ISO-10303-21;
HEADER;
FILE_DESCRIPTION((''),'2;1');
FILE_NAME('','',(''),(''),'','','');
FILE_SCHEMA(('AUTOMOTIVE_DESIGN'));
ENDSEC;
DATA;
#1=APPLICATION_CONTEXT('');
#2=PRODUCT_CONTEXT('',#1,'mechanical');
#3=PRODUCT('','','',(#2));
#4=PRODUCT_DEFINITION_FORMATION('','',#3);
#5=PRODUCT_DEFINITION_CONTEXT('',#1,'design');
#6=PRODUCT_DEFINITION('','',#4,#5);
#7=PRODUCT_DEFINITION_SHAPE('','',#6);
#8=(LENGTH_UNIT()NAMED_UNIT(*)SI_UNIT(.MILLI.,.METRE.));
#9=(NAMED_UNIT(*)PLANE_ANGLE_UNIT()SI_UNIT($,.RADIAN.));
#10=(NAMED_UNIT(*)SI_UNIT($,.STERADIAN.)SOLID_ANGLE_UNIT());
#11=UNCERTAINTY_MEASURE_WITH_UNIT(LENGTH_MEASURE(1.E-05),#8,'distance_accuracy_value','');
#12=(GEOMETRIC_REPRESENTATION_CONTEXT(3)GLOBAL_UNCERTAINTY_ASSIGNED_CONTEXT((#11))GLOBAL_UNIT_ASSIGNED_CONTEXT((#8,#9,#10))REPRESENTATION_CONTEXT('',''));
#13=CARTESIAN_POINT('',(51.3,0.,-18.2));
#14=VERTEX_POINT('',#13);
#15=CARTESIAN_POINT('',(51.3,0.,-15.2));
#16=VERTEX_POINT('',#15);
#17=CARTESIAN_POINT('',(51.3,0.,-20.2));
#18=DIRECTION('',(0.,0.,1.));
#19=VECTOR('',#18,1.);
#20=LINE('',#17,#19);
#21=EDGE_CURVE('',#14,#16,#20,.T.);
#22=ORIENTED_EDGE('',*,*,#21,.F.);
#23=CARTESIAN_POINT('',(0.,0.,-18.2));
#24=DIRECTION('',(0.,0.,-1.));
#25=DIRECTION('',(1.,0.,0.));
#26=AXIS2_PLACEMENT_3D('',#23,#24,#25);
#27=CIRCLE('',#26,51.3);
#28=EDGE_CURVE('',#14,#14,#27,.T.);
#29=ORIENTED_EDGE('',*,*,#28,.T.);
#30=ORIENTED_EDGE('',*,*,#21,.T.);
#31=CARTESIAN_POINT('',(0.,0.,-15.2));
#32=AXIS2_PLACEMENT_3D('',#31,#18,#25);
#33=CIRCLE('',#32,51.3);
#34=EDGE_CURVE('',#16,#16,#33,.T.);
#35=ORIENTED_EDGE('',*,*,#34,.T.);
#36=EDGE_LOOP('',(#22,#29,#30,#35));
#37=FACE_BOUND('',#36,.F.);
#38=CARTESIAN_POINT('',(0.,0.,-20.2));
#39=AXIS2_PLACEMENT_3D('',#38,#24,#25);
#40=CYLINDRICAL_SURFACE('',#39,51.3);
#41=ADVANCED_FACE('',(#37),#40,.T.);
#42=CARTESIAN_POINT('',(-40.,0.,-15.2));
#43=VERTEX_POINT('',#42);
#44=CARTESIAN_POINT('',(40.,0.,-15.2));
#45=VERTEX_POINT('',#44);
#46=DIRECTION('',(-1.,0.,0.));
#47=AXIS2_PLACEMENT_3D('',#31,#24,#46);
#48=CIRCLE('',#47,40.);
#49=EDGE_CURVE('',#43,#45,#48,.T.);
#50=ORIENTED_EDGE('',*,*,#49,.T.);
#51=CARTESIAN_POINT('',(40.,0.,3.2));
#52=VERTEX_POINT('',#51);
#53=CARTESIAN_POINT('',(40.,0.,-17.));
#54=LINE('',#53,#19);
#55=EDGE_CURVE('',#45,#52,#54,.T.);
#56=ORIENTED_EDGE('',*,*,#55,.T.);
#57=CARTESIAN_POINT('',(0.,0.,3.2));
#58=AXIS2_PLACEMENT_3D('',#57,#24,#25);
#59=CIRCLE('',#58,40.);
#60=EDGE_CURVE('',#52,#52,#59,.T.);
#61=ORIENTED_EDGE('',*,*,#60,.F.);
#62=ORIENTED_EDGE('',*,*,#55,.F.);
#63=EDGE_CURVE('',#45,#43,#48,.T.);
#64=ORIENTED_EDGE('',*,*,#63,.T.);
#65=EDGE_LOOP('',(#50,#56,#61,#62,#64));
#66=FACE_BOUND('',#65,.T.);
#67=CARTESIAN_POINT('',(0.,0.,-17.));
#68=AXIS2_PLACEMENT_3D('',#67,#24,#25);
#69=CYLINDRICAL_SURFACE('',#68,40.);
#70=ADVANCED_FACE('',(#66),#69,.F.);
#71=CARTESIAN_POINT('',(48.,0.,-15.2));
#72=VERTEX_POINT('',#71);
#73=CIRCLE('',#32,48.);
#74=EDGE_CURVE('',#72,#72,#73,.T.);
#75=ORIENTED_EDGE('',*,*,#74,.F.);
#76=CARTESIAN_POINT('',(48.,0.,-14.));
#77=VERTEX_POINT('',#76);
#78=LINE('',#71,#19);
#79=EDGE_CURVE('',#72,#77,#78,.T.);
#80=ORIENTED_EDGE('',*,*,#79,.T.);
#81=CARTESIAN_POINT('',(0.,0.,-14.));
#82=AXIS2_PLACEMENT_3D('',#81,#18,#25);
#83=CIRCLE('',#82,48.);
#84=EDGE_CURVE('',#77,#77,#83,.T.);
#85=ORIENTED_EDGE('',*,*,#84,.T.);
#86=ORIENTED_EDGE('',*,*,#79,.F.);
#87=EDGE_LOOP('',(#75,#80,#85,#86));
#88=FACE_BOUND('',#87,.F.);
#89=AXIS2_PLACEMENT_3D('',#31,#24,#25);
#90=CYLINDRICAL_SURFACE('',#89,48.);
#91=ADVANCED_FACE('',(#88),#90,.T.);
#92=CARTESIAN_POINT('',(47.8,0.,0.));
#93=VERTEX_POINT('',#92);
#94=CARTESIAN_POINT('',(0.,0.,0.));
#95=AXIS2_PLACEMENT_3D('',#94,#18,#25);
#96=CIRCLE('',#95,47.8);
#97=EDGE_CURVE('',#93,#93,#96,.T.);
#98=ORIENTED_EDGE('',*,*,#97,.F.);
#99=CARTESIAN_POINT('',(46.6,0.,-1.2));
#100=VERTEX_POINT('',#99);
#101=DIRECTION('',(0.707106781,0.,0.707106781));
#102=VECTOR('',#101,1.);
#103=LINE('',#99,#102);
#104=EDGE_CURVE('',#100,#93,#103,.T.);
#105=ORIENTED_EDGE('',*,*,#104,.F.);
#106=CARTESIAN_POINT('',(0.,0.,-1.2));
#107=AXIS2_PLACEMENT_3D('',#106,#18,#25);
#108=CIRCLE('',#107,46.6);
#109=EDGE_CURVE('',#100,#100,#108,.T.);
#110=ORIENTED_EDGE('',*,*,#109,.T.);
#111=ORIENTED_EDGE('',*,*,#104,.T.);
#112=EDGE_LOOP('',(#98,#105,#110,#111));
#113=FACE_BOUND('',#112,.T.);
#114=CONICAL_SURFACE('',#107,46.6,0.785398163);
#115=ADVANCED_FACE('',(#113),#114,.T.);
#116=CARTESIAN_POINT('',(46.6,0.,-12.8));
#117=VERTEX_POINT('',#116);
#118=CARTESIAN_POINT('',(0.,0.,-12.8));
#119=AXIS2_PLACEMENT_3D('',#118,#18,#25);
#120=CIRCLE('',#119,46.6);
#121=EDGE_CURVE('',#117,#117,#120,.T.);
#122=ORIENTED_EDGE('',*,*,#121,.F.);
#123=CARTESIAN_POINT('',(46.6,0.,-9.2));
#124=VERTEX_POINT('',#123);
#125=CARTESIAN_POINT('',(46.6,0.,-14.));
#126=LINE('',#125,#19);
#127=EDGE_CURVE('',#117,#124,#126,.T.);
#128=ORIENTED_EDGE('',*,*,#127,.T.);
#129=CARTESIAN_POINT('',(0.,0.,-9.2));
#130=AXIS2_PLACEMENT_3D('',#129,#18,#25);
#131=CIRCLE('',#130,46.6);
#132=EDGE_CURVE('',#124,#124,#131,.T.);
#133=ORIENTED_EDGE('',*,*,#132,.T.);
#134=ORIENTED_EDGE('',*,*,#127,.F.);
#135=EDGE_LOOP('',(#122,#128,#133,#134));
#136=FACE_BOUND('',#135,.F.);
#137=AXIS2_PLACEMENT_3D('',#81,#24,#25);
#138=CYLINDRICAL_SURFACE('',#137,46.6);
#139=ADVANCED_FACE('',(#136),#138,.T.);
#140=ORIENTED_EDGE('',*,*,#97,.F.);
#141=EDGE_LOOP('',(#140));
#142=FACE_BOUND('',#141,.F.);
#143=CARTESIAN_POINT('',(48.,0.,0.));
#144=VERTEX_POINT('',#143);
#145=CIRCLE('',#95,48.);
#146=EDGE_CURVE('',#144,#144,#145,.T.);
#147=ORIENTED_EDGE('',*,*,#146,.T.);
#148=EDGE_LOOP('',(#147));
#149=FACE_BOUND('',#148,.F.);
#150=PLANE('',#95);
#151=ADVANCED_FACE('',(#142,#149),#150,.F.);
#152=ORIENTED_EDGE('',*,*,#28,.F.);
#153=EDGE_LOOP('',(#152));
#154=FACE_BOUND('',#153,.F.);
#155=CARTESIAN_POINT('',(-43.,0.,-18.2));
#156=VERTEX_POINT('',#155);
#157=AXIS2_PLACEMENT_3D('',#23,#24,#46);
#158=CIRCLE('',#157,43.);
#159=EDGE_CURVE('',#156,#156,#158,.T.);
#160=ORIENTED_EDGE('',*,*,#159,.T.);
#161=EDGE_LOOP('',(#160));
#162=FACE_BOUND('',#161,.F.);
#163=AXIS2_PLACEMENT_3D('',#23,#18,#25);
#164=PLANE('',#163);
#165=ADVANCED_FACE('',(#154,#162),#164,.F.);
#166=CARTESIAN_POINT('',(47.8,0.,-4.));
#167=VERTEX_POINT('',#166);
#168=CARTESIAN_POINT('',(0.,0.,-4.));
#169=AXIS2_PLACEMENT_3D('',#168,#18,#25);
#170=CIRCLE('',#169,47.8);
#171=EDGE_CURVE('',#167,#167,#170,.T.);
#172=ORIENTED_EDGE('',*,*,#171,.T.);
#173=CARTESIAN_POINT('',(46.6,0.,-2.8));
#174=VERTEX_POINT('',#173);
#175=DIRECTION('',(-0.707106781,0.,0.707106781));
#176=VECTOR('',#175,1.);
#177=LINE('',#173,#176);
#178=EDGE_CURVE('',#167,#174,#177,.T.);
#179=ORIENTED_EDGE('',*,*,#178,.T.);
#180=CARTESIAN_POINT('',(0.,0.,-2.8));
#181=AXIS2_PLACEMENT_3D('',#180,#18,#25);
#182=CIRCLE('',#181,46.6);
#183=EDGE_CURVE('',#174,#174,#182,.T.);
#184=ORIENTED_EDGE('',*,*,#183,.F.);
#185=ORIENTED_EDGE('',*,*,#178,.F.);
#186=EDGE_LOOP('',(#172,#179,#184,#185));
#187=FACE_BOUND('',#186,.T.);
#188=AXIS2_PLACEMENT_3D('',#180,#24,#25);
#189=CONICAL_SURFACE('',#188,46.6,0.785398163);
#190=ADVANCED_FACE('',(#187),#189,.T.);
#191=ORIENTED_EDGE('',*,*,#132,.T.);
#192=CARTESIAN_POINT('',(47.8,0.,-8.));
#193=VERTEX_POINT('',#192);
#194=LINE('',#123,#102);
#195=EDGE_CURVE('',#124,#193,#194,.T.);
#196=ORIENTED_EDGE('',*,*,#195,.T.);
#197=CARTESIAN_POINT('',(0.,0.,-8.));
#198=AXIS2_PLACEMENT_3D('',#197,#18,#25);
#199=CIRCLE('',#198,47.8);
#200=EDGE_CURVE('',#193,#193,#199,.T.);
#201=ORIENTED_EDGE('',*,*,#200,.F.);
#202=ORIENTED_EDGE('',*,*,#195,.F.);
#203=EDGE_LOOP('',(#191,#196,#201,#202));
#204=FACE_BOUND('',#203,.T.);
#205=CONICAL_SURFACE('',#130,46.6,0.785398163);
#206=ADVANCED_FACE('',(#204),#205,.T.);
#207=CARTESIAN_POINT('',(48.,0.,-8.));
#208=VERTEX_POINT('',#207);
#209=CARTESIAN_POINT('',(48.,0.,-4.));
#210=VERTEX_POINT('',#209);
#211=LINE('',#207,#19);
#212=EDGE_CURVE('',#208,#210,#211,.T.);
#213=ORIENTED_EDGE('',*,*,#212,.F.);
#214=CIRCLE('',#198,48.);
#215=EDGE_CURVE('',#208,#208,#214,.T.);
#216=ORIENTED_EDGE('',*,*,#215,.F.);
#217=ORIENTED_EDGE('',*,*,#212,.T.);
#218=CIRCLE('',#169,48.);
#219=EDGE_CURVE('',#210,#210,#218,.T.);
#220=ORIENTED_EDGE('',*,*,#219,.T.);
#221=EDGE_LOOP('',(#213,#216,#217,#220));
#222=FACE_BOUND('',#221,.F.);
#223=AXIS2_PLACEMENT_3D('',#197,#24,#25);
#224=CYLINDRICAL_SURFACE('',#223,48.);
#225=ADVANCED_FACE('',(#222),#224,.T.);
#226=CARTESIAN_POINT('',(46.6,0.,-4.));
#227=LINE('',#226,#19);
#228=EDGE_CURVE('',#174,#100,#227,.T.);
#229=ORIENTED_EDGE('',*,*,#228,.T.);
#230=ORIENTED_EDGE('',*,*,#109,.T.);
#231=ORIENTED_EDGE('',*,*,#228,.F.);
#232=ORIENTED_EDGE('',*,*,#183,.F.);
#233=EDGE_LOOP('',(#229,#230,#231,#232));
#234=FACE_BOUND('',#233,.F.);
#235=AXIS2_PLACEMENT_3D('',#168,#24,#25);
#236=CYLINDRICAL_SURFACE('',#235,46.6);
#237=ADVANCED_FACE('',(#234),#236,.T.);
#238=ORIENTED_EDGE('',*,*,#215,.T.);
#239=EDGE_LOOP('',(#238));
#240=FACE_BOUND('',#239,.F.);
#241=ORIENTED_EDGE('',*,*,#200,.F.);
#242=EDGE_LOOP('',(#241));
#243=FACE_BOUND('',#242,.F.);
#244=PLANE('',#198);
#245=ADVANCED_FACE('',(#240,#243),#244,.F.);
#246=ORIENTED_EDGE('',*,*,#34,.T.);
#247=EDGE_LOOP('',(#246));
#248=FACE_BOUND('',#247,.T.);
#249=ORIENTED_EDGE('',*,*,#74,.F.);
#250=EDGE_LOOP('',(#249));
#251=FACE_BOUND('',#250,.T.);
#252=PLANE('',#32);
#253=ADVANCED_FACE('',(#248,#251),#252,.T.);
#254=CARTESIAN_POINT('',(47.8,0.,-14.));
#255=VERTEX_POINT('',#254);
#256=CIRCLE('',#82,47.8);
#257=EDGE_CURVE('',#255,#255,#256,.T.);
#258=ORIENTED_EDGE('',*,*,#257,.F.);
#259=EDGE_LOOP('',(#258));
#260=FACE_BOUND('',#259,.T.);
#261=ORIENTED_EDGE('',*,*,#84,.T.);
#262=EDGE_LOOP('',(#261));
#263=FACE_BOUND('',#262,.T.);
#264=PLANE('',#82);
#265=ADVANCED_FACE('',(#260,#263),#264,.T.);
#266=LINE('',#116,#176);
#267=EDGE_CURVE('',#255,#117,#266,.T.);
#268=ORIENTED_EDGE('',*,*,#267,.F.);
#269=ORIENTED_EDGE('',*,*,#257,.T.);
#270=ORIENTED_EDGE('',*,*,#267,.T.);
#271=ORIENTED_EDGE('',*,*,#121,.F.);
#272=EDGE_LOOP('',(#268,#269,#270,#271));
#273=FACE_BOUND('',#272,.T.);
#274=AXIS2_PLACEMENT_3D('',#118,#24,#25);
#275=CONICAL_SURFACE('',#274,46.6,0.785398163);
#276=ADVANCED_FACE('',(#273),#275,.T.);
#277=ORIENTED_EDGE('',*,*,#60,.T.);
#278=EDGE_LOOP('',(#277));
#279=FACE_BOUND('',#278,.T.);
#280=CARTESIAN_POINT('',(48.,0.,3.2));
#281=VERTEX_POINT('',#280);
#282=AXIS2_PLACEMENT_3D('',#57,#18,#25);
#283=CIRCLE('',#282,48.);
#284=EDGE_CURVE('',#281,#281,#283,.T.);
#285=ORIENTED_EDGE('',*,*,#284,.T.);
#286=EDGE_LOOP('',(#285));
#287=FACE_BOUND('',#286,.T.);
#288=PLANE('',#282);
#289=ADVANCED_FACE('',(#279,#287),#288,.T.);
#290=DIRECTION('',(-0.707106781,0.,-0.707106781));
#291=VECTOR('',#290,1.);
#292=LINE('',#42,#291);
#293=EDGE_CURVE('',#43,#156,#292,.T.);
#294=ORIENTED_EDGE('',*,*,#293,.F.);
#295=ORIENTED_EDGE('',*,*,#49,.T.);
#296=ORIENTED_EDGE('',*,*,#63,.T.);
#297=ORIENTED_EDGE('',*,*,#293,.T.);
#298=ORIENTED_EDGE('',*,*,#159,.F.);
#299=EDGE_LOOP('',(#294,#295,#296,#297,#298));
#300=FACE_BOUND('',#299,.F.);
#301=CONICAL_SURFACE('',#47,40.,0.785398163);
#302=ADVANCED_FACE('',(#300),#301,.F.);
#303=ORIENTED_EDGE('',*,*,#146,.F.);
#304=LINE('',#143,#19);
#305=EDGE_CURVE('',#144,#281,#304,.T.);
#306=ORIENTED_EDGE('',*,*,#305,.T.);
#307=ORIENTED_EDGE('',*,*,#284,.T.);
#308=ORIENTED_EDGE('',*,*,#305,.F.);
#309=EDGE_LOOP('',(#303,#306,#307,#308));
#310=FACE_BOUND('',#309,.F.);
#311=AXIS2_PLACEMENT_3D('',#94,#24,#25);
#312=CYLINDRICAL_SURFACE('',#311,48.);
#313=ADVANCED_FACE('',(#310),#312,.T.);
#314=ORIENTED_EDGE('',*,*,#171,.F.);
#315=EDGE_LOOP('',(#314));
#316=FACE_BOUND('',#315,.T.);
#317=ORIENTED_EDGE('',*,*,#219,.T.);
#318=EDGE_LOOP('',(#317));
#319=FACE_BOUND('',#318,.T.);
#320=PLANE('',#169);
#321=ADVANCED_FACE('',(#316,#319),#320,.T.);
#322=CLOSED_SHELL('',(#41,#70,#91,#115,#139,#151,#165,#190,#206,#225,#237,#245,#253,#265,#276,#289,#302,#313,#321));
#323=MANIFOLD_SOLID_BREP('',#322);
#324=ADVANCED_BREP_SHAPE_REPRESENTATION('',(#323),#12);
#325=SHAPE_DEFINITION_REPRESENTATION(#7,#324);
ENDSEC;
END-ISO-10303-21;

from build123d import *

# Parameters (mm, degrees)
CYLINDER039_R     = 68.3
CYLINDER039_DEPTH = 5
CYLINDER036_R     = 40
CYLINDER036_DEPTH = 27.4
CYLINDER035_R     = 45
CYLINDER035_DEPTH = 23.4
CYLINDER033_R     = 45
CYLINDER033_DEPTH = 25
CYLINDER032_R     = 48
CYLINDER032_DEPTH = 3.2
CYLINDER029_R     = 46.6
CYLINDER029_DEPTH = 6
CYLINDER038_R     = 46.6
CYLINDER038_DEPTH = 4
CYLINDER030_R     = 48
CYLINDER030_DEPTH = 4
CYLINDER037_R     = 48
CYLINDER037_DEPTH = 1.2
CYLINDER031_R     = 45
CYLINDER031_DEPTH = 25
CYLINDER034_R     = 51.3
CYLINDER034_DEPTH = 5
CHAMFER003_SIZE   = 1.2
CHAMFER002_SIZE   = 1.2


with BuildPart() as ajustar_radio_de_este004:
    # Cylinder039 → Cylinder039 (new body)
    with BuildSketch(Plane.XY.offset(-23.2)):
        Circle(CYLINDER039_R)
    extrude(amount=CYLINDER039_DEPTH)


with BuildPart() as cone002:
    # Cone002 → Cone002 (revolve)
    with BuildSketch(Plane(origin=(0, 0, -15.2), x_dir=(-1, 0, 0), z_dir=(0, -1, 0))):
        Polygon((0, 0), (40, 0), (45, 5), (0, 5), align=None)
    revolve(axis=Axis((0, 0, -15.2), (0, 0, -1)))


with BuildPart() as fusion010:
    # Cylinder036 → Cylinder036 (new body)
    with BuildSketch(Plane.XY.offset(-17)):
        Circle(CYLINDER036_R)
    extrude(amount=CYLINDER036_DEPTH)

    # Fusion010: union Cone002
    add(cone002.part)


with BuildPart() as cut015:
    # Cylinder035 → Cylinder035 (new body)
    with BuildSketch(Plane.XY.offset(-20.2)):
        Circle(CYLINDER035_R)
    extrude(amount=CYLINDER035_DEPTH)

    # Cut015: cut Fusion010
    add(fusion010.part, mode=Mode.SUBTRACT)


with BuildPart() as cylinder033:
    # Cylinder033 → Cylinder033 (new body)
    with BuildSketch(Plane.XY.offset(-18)):
        Circle(CYLINDER033_R)
    extrude(amount=CYLINDER033_DEPTH)


with BuildPart() as cylinder032:
    # Cylinder032 → Cylinder032 (new body)
    with BuildSketch(Plane.XY):
        Circle(CYLINDER032_R)
    extrude(amount=CYLINDER032_DEPTH)


with BuildPart() as cylinder029:
    # Cylinder029 → Cylinder029 (new body)
    with BuildSketch(Plane.XY.offset(-14)):
        Circle(CYLINDER029_R)
    extrude(amount=CYLINDER029_DEPTH)


with BuildPart() as cylinder038:
    # Cylinder038 → Cylinder038 (new body)
    with BuildSketch(Plane.XY.offset(-4)):
        Circle(CYLINDER038_R)
    extrude(amount=CYLINDER038_DEPTH)


with BuildPart() as cylinder030:
    # Cylinder030 → Cylinder030 (new body)
    with BuildSketch(Plane.XY.offset(-8)):
        Circle(CYLINDER030_R)
    extrude(amount=CYLINDER030_DEPTH)


with BuildPart() as cut016:
    # Cylinder037 → Cylinder037 (new body)
    with BuildSketch(Plane.XY.offset(-15.2)):
        Circle(CYLINDER037_R)
    extrude(amount=CYLINDER037_DEPTH)

    # Fusion012: union Cylinder032, Cylinder029, Cylinder038, Cylinder030
    add(cylinder032.part)
    add(cylinder029.part)
    add(cylinder038.part)
    add(cylinder030.part)

    # Cut016: cut Cylinder033
    add(cylinder033.part, mode=Mode.SUBTRACT)


with BuildPart() as cylinder031:
    # Cylinder031 → Cylinder031 (new body)
    with BuildSketch(Plane.XY.offset(-23)):
        Circle(CYLINDER031_R)
    extrude(amount=CYLINDER031_DEPTH)


with BuildPart() as cut014:
    # Cylinder034 → Cylinder034 (new body)
    with BuildSketch(Plane.XY.offset(-20.2)):
        Circle(CYLINDER034_R)
    extrude(amount=CYLINDER034_DEPTH)

    # Cut017: cut Cylinder031
    add(cylinder031.part, mode=Mode.SUBTRACT)

    # Fusion009: union Cut016
    add(cut016.part)

    # Fusion011: union Cut015
    add(cut015.part)

    # Chamfer003
    chamfer003_edges = [cut014.edges().sort_by_distance(p)[0] for p in [
        (-46.6, 0, -14),
        (-46.6, 0, -4),
    ]]
    chamfer(chamfer003_edges, length=CHAMFER003_SIZE)

    # Chamfer002
    chamfer002_edges = [cut014.edges().sort_by_distance(p)[0] for p in [
        (-46.6, 0, -8),
        (-46.6, 0, 0),
    ]]
    chamfer(chamfer002_edges, length=CHAMFER002_SIZE)

    # Cut014: cut ajustar_radio_de_este004
    add(ajustar_radio_de_este004.part, mode=Mode.SUBTRACT)


solid = cut014.part
